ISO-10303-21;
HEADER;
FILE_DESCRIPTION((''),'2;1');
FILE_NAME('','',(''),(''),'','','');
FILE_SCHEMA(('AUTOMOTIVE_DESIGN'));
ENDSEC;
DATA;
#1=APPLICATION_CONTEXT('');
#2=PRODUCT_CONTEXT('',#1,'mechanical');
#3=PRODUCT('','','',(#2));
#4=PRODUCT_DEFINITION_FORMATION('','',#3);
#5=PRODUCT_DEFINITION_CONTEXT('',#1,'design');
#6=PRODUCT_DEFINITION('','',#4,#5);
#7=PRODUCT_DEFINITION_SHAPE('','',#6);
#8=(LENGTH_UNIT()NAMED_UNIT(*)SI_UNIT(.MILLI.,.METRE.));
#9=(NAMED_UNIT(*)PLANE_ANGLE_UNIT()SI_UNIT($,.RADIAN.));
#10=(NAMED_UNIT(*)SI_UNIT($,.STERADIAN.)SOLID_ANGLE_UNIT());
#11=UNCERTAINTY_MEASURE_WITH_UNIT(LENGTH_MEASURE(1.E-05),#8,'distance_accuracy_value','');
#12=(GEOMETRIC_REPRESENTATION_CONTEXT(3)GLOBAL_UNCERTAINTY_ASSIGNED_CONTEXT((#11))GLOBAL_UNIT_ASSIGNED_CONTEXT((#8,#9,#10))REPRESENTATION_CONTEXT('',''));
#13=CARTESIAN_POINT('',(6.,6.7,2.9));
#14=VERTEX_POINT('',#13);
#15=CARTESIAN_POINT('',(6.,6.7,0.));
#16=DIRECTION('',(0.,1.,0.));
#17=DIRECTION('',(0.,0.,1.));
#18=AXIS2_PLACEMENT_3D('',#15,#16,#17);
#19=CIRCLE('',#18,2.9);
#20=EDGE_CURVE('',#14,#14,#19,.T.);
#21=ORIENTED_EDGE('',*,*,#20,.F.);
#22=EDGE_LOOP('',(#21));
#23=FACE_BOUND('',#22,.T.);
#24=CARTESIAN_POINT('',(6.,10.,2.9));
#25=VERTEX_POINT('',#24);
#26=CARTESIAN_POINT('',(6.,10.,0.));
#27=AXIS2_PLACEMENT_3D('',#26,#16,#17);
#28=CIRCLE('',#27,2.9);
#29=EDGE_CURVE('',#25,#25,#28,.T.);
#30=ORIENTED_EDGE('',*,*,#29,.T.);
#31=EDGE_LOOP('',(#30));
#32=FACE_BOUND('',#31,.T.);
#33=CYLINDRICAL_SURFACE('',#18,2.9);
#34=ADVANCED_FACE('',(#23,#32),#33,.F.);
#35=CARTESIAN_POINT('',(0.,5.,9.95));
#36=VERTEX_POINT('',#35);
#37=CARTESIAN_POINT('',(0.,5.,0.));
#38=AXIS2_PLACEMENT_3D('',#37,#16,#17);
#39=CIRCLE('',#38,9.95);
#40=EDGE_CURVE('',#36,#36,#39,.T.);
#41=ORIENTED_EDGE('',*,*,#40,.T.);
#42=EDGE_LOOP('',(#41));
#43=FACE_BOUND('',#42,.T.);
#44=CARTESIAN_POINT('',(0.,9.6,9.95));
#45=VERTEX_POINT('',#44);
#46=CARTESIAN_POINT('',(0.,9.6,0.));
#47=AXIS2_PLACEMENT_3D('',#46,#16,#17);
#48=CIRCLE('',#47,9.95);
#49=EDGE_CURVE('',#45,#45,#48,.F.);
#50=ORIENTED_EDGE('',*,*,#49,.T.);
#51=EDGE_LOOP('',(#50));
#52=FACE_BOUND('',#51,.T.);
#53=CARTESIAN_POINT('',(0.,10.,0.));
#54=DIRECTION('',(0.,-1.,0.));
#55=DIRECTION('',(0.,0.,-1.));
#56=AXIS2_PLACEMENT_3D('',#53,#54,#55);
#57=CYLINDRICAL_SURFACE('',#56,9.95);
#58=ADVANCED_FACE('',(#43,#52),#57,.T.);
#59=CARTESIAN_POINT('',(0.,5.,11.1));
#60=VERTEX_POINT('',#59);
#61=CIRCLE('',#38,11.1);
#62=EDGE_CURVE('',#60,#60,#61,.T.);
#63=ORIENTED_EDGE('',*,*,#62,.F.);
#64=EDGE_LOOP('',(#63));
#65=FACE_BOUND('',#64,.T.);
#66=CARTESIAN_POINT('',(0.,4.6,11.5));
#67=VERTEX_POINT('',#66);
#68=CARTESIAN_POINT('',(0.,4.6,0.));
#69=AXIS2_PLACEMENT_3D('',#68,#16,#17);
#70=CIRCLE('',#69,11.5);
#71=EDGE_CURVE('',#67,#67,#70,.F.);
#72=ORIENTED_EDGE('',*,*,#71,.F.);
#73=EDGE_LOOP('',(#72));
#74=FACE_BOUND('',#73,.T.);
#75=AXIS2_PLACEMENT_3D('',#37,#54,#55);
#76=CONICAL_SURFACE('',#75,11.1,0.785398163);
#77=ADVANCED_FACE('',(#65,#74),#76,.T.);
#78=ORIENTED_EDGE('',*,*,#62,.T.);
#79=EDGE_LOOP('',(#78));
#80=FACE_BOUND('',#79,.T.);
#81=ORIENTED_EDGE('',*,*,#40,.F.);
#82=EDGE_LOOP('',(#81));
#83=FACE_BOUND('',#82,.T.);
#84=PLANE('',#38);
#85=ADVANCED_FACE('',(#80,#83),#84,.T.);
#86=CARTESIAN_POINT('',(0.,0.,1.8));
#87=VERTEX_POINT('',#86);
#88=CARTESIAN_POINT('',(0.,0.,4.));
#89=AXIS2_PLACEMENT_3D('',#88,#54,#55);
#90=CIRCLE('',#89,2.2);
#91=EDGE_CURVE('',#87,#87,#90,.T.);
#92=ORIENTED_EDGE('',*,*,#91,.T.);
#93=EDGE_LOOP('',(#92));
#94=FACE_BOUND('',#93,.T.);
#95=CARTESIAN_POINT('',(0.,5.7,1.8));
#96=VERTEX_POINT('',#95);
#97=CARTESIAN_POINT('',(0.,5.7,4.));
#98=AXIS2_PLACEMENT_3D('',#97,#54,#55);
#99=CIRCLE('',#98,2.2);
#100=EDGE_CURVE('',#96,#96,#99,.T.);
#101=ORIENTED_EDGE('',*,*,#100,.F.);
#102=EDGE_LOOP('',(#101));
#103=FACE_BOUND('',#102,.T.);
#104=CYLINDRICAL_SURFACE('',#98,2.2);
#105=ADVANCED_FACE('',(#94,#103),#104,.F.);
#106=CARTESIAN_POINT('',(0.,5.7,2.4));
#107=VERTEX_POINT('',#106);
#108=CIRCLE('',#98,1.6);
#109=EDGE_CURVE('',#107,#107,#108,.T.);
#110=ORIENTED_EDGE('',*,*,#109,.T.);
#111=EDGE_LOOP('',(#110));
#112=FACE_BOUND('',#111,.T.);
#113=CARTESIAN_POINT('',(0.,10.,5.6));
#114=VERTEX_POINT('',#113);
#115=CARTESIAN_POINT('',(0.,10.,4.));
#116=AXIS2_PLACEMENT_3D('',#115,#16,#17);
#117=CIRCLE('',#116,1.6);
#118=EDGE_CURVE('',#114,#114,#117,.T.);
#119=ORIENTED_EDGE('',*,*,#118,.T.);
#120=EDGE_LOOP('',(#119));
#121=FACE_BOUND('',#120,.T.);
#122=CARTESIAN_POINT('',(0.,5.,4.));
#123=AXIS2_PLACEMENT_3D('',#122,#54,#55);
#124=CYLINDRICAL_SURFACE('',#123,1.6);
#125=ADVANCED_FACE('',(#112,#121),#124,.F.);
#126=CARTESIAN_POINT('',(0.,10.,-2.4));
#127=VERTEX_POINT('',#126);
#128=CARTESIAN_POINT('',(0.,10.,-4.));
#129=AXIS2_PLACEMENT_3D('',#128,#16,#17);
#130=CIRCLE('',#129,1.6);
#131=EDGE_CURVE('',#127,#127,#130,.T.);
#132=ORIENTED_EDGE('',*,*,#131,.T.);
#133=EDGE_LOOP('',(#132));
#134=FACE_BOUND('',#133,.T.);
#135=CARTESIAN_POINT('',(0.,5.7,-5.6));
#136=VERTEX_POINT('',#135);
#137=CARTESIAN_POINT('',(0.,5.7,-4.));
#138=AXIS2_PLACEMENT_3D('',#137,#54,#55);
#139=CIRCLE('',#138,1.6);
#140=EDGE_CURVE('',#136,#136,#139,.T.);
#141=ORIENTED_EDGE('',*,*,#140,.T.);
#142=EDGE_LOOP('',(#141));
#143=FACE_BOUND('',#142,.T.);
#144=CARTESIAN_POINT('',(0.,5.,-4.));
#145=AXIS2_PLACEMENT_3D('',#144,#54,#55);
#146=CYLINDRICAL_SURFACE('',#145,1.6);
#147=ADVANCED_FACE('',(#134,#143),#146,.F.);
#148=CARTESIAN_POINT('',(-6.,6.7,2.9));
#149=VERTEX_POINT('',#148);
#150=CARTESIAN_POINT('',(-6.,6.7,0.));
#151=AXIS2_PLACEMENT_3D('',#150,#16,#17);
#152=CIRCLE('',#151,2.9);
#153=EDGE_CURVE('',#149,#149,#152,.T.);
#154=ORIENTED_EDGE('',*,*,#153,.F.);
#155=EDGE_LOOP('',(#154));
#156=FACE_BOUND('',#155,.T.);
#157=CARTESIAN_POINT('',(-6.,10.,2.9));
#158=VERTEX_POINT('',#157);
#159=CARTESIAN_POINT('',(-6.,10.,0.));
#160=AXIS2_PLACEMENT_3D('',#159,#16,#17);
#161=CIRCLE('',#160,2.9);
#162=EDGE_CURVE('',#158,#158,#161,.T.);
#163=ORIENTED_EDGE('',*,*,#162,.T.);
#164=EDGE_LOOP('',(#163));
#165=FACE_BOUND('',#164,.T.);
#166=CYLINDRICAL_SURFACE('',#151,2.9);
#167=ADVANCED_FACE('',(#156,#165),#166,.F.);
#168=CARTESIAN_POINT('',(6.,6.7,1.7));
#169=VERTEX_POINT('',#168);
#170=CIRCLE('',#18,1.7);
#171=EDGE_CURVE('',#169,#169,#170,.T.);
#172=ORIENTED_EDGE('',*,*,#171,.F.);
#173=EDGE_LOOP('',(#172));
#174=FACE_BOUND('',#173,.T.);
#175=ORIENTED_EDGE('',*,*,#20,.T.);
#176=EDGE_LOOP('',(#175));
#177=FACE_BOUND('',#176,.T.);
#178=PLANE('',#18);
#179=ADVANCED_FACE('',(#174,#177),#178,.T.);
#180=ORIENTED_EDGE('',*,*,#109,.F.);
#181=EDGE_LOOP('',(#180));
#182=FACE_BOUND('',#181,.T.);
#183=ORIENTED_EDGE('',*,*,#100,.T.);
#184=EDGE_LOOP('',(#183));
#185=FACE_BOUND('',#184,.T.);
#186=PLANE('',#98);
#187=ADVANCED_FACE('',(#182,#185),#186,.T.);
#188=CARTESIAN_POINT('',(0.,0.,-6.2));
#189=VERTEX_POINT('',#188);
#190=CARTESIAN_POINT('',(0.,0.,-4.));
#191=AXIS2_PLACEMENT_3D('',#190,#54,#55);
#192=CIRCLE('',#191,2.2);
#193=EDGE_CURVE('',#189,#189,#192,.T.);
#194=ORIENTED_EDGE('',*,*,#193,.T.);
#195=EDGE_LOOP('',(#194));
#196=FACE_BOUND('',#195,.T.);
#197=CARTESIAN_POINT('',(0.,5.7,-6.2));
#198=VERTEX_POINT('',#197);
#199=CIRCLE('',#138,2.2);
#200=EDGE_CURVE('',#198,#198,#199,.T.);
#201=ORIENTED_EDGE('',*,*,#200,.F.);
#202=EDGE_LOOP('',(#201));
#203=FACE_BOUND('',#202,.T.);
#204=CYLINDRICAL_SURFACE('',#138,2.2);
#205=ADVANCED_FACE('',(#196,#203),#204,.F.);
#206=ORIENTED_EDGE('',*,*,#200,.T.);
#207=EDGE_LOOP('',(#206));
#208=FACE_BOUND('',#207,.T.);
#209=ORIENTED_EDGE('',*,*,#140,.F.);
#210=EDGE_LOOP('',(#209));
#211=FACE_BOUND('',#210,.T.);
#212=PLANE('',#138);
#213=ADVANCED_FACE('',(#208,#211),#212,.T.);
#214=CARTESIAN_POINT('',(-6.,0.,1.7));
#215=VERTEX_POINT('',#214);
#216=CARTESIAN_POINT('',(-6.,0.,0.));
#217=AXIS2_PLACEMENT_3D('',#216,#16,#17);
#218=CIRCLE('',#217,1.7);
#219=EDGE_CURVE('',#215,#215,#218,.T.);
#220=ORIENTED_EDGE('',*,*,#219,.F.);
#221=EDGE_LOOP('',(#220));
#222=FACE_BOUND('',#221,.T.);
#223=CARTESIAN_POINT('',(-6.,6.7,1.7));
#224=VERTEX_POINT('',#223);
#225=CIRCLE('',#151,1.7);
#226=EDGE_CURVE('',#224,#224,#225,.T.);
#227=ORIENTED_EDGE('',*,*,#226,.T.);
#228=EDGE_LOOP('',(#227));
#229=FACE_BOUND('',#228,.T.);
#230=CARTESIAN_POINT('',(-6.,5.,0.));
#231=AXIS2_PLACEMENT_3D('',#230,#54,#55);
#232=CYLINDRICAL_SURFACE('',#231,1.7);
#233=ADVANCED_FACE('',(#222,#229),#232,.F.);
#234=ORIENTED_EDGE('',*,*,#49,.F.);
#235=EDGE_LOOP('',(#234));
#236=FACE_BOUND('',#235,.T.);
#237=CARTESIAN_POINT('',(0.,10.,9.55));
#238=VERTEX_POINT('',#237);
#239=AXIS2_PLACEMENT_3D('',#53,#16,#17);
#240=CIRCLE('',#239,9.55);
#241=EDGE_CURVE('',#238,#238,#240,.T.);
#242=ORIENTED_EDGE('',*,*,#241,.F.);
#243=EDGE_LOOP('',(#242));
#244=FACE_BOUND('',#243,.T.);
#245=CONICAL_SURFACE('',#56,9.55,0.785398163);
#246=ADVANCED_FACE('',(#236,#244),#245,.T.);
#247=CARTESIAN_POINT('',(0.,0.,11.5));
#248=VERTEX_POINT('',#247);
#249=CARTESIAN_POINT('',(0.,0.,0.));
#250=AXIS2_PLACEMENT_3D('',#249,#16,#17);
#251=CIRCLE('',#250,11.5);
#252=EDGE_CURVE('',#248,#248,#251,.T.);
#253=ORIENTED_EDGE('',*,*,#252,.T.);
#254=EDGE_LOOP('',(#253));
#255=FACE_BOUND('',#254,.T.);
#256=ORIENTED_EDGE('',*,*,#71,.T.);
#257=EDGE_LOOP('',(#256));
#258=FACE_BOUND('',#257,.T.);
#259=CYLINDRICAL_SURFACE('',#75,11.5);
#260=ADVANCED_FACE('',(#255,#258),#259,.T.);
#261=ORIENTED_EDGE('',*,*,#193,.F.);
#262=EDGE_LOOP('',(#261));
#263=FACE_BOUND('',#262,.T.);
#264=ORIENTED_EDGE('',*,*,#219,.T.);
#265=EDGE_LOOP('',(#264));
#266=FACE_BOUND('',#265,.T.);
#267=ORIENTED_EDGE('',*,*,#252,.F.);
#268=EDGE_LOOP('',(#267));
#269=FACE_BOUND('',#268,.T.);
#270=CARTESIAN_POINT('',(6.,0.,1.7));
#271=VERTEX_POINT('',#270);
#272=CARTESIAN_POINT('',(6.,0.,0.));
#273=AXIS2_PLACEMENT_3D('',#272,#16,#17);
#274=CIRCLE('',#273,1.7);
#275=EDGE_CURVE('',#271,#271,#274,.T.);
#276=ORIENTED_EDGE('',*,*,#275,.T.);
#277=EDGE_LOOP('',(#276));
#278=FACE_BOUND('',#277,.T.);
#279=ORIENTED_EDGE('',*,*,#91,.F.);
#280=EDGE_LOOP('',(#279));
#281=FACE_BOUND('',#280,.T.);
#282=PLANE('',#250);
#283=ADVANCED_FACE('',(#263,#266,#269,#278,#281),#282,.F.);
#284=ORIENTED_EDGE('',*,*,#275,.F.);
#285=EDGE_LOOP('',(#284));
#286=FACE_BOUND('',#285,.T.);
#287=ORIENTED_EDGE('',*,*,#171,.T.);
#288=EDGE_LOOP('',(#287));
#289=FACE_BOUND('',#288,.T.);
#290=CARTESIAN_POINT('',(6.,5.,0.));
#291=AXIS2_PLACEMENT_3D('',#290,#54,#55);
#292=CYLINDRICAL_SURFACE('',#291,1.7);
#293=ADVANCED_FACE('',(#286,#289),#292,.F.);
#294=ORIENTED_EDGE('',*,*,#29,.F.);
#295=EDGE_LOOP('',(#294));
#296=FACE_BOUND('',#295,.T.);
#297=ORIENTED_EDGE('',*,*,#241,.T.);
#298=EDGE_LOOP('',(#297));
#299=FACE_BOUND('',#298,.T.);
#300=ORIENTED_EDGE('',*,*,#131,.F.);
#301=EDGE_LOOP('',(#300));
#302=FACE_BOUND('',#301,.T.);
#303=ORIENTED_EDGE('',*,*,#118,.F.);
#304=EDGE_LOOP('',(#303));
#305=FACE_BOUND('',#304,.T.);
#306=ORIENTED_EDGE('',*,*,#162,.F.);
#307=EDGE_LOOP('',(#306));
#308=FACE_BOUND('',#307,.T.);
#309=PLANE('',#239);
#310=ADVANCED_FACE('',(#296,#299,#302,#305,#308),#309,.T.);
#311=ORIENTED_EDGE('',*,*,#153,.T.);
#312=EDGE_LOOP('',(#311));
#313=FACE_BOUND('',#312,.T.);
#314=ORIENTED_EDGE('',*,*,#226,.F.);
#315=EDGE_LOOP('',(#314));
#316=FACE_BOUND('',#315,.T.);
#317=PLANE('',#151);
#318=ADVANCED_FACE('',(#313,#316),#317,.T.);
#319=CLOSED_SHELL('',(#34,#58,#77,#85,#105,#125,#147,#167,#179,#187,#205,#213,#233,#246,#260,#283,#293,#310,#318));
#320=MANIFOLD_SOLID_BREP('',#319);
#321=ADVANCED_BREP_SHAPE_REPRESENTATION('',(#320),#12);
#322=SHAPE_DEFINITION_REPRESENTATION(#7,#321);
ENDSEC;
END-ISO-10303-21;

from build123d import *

# Parameters (mm, degrees)
ESQUISSE1_R             = 11.5
ESQUISSE1_R_2           = 1.7
ESQUISSE1_R_3           = 1.6
BOSS_EXTRU_1_DEPTH      = 5
ESQUISSE2_R             = 9.95
ESQUISSE2_R_2           = 1.7
ESQUISSE2_R_3           = 1.6
BOSS_EXTRU_2_DEPTH      = 5
CHANFREIN2_SIZE         = 0.4
CHANFREIN4_SIZE         = 0.4
ESQUISSE3_R             = 2.2
ENL_V_MAT_EXTRU_1_DEPTH = 5.7
ESQUISSE4_R             = 2.9
ENL_V_MAT_EXTRU_2_DEPTH = 3.3


with BuildPart() as part:
    # Esquisse1 → Boss.-Extru.1 (new body)
    with BuildSketch(Plane(origin=(0, 0, 0), x_dir=(1, 0, 0), z_dir=(0, 1, 0))):
        Circle(ESQUISSE1_R)
        with Locations((6, 0)):
            Circle(ESQUISSE1_R_2, mode=Mode.SUBTRACT)
        with Locations((-6, 0)):
            Circle(ESQUISSE1_R_2, mode=Mode.SUBTRACT)
        with Locations((0, 4)):
            Circle(ESQUISSE1_R_3, mode=Mode.SUBTRACT)
        with Locations((0, -4)):
            Circle(ESQUISSE1_R_3, mode=Mode.SUBTRACT)
    extrude(amount=BOSS_EXTRU_1_DEPTH)

    # Esquisse2 → Boss.-Extru.2 (add)
    with BuildSketch(Plane(origin=(0, 5, 0), x_dir=(1, 0, 0), z_dir=(0, 1, 0))):
        Circle(ESQUISSE2_R)
        with Locations((6, 0)):
            Circle(ESQUISSE2_R_2, mode=Mode.SUBTRACT)
        with Locations((-6, 0)):
            Circle(ESQUISSE2_R_2, mode=Mode.SUBTRACT)
        with Locations((0, -4)):
            Circle(ESQUISSE2_R_3, mode=Mode.SUBTRACT)
        with Locations((0, 4)):
            Circle(ESQUISSE2_R_3, mode=Mode.SUBTRACT)
    extrude(amount=BOSS_EXTRU_2_DEPTH)

    # Chanfrein2
    chanfrein2_edges = [part.edges().sort_by_distance(p)[0] for p in [
        (-9.95, 10, 0),
    ]]
    chamfer(chanfrein2_edges, length=CHANFREIN2_SIZE)

    # Chanfrein4
    chanfrein4_edges = [part.edges().sort_by_distance(p)[0] for p in [
        (-11.5, 5, 0),
    ]]
    chamfer(chanfrein4_edges, length=CHANFREIN4_SIZE)

    # Esquisse3 → Enlèv. mat.-Extru.1 (cut)
    with BuildSketch(Plane.XZ):
        with Locations((0, -4)):
            Circle(ESQUISSE3_R)
        with Locations((0, 4)):
            Circle(ESQUISSE3_R)
    extrude(amount=-ENL_V_MAT_EXTRU_1_DEPTH, mode=Mode.SUBTRACT)

    # Esquisse4 → Enlèv. mat.-Extru.2 (cut)
    with BuildSketch(Plane(origin=(0, 10, 0), x_dir=(1, 0, 0), z_dir=(0, 1, 0))):
        with Locations((-6, 0)):
            Circle(ESQUISSE4_R)
        with Locations((6, 0)):
            Circle(ESQUISSE4_R)
    extrude(amount=-ENL_V_MAT_EXTRU_2_DEPTH, mode=Mode.SUBTRACT)


solid = part.part
